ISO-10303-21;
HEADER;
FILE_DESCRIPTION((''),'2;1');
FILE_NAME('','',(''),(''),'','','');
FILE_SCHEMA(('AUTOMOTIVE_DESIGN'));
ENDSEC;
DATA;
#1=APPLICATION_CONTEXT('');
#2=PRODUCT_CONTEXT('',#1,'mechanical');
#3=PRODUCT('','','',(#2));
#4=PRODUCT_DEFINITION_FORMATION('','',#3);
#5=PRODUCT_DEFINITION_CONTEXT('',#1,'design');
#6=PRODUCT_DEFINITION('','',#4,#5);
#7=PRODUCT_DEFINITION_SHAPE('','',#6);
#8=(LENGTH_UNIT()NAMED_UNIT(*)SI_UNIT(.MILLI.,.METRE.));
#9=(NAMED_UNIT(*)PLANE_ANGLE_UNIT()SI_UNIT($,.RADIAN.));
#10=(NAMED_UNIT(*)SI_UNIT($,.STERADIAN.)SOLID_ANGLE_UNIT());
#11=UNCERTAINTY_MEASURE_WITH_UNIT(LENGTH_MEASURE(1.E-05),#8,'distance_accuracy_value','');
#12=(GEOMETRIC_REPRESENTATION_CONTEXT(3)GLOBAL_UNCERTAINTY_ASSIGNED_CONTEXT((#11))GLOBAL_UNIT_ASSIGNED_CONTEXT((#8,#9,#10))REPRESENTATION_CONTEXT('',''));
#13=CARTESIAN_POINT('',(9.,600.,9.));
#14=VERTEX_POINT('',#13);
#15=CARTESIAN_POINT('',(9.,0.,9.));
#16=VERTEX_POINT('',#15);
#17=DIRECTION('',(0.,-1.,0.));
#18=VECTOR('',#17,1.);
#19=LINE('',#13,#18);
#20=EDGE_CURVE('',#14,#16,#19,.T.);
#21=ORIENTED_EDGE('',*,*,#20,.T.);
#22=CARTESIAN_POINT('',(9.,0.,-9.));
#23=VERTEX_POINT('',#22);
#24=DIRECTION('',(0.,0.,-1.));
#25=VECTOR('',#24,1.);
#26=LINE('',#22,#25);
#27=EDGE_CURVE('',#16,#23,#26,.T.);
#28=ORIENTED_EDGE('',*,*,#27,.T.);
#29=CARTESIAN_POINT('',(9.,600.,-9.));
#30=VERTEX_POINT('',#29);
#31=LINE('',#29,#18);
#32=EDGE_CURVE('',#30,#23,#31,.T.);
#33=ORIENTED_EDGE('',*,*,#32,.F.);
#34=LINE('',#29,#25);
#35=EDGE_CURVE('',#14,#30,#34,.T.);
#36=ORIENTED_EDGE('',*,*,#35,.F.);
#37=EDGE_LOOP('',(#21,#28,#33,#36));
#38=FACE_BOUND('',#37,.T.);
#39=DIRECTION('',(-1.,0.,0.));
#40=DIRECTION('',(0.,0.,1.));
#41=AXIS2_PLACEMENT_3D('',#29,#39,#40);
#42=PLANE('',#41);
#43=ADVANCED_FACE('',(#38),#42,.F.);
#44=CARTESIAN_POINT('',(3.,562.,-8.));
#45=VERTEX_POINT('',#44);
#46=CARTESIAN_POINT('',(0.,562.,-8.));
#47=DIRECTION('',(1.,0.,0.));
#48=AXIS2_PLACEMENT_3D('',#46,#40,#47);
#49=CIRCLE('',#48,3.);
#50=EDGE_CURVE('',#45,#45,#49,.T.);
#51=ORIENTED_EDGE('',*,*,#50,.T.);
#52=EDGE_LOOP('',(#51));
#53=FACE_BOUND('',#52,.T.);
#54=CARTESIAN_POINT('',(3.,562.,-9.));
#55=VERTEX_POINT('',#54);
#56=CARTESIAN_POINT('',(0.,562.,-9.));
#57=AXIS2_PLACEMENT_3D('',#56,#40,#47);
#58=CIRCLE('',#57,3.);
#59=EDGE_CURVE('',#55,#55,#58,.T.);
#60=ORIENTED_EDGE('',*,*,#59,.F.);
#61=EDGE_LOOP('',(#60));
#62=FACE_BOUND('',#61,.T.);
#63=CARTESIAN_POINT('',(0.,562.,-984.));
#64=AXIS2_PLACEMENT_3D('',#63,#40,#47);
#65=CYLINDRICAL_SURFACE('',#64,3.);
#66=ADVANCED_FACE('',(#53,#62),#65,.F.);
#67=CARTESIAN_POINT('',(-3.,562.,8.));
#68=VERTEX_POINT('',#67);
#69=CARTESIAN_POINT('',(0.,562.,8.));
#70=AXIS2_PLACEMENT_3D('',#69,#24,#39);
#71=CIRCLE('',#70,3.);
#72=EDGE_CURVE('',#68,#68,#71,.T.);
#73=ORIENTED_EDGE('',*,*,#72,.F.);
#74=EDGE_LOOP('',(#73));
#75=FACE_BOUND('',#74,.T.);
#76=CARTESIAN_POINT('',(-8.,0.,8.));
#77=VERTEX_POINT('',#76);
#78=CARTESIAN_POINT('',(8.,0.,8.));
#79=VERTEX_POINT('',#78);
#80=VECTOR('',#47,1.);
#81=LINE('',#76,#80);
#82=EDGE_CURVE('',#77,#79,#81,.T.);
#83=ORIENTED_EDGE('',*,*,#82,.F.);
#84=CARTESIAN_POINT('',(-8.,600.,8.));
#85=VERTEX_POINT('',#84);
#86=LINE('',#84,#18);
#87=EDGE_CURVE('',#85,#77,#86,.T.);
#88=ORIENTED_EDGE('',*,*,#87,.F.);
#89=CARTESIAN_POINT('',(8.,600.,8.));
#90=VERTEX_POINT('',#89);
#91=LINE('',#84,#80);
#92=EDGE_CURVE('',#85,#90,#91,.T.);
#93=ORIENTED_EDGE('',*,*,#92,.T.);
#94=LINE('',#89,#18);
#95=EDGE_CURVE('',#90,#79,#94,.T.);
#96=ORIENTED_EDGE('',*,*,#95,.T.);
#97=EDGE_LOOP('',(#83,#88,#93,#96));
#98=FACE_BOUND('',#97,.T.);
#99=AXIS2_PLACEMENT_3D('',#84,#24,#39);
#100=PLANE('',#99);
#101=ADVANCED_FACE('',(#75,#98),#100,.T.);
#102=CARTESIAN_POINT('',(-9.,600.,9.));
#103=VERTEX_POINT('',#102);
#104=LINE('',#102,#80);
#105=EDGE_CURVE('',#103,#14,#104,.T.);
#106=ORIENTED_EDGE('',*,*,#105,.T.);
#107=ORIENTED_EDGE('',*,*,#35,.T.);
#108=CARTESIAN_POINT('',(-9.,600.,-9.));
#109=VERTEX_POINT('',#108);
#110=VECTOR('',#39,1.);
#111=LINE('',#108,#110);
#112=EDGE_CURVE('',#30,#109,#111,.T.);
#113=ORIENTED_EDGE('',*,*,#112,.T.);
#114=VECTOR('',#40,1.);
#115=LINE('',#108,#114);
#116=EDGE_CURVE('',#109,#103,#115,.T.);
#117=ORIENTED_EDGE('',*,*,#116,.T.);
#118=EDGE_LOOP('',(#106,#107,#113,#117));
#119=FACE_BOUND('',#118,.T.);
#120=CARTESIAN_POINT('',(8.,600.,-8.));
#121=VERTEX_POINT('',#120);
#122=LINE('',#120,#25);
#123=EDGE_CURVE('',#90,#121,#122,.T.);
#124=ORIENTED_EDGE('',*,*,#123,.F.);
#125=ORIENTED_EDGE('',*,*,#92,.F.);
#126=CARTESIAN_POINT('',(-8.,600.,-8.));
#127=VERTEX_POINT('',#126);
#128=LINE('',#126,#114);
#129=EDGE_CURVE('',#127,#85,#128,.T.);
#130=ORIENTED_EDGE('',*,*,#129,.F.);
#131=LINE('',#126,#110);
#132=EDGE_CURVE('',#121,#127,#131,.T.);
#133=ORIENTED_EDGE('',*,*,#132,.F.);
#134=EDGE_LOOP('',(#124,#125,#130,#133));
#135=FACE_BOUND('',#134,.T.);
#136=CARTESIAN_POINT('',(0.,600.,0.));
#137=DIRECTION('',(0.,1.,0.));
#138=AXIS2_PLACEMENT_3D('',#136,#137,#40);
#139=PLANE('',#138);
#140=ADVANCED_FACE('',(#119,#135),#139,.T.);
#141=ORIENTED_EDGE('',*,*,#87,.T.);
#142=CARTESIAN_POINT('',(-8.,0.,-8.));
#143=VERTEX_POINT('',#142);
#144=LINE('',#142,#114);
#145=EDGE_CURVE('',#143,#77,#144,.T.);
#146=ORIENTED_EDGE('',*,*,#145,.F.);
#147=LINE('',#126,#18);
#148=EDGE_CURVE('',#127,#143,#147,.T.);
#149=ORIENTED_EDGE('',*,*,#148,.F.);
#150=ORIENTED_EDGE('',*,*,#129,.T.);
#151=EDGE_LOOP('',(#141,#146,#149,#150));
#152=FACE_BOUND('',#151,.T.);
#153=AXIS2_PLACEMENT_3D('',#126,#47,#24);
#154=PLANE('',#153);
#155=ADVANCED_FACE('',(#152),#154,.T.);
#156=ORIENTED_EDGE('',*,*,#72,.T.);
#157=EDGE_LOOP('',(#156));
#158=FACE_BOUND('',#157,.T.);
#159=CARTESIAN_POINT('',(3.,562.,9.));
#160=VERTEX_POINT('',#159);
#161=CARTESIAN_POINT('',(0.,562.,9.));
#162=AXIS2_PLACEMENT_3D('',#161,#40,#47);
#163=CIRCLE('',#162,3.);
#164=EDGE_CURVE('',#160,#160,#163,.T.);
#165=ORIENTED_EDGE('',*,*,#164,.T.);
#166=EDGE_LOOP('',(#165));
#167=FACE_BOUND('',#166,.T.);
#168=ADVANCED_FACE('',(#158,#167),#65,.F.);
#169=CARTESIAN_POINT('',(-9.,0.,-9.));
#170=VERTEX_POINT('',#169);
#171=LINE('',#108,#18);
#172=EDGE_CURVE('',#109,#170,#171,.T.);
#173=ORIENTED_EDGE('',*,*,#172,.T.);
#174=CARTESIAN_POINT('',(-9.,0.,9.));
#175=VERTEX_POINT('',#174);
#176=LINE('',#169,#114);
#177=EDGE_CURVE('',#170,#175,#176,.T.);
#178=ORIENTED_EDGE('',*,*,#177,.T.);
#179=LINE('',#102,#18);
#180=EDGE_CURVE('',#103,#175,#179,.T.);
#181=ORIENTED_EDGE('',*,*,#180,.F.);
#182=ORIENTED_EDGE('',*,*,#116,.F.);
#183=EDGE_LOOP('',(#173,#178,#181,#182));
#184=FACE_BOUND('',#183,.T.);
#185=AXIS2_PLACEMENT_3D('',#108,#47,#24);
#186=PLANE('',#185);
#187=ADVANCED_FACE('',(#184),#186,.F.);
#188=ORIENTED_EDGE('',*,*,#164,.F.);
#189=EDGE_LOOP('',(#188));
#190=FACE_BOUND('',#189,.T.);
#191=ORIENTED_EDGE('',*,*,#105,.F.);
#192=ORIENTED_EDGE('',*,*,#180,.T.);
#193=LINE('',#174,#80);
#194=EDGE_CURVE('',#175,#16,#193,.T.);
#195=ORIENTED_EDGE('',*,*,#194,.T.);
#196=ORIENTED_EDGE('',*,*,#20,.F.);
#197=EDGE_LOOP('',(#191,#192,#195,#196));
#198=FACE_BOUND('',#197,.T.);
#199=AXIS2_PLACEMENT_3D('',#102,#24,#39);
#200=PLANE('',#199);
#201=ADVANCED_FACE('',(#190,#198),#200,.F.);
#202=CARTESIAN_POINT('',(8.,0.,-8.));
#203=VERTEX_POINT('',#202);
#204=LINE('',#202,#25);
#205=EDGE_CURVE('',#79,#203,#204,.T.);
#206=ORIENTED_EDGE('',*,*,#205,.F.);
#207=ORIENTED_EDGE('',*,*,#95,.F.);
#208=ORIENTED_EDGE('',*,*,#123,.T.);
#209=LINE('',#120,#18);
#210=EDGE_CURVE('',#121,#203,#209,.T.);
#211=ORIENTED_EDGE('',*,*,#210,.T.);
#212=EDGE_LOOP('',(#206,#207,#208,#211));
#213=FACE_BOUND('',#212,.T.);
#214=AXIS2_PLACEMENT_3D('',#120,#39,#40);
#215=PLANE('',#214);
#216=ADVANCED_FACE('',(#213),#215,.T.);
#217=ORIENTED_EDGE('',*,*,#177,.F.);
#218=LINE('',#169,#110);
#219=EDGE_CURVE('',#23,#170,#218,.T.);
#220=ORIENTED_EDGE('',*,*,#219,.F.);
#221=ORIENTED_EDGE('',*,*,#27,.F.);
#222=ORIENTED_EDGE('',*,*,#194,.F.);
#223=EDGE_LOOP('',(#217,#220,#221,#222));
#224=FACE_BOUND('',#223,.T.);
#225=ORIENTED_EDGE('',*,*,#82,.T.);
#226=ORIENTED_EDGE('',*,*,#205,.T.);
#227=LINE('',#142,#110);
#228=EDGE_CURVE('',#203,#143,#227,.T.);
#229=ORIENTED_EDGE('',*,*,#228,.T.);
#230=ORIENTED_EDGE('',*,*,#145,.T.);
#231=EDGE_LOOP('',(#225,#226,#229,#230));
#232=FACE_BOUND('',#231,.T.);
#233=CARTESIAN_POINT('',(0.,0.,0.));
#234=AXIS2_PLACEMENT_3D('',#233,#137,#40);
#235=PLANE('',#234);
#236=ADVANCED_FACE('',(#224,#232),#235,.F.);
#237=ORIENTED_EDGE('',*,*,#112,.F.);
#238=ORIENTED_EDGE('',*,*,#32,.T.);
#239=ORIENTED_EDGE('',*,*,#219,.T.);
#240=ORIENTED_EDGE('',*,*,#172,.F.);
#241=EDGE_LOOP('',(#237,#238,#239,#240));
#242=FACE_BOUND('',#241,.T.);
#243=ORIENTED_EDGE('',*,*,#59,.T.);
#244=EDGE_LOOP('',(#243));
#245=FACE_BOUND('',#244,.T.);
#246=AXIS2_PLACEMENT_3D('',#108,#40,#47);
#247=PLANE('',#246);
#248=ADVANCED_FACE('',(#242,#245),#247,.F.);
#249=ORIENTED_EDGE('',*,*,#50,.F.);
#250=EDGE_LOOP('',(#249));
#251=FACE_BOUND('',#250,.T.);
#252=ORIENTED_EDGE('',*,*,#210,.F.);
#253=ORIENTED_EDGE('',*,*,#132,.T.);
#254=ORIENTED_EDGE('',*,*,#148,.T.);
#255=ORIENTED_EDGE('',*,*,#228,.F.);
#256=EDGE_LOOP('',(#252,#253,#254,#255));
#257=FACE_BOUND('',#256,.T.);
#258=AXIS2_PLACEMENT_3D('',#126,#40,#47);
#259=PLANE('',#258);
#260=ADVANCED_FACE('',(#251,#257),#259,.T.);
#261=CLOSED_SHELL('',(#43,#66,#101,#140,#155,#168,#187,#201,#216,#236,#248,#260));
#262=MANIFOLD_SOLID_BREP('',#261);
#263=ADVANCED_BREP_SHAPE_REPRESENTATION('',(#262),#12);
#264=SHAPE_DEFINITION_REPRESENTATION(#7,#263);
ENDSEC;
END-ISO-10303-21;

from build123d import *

# Parameters (mm, degrees)
SKETCH1_W           = 18
SKETCH1_H           = 18
SKETCH1_W_2         = 16
SKETCH1_H_2         = 16
BOSS_EXTRUDE1_DEPTH = 600
SKETCH2_R           = 3
CUT_EXTRUDE1_DEPTH  = 993


with BuildPart() as part:
    # Sketch1 → Boss-Extrude1 (new body)
    with BuildSketch(Plane(origin=(0, 0, 0), x_dir=(1, 0, 0), z_dir=(0, 1, 0))):
        Rectangle(SKETCH1_W, SKETCH1_H)
        Rectangle(SKETCH1_W_2, SKETCH1_H_2, mode=Mode.SUBTRACT)
    extrude(amount=BOSS_EXTRUDE1_DEPTH)

    # Sketch2 → Cut-Extrude1 (cut)
    with BuildSketch(Plane.XY.offset(9)):
        with Locations((0, 562)):
            Circle(SKETCH2_R)
    extrude(amount=-CUT_EXTRUDE1_DEPTH, mode=Mode.SUBTRACT)


solid = part.part
